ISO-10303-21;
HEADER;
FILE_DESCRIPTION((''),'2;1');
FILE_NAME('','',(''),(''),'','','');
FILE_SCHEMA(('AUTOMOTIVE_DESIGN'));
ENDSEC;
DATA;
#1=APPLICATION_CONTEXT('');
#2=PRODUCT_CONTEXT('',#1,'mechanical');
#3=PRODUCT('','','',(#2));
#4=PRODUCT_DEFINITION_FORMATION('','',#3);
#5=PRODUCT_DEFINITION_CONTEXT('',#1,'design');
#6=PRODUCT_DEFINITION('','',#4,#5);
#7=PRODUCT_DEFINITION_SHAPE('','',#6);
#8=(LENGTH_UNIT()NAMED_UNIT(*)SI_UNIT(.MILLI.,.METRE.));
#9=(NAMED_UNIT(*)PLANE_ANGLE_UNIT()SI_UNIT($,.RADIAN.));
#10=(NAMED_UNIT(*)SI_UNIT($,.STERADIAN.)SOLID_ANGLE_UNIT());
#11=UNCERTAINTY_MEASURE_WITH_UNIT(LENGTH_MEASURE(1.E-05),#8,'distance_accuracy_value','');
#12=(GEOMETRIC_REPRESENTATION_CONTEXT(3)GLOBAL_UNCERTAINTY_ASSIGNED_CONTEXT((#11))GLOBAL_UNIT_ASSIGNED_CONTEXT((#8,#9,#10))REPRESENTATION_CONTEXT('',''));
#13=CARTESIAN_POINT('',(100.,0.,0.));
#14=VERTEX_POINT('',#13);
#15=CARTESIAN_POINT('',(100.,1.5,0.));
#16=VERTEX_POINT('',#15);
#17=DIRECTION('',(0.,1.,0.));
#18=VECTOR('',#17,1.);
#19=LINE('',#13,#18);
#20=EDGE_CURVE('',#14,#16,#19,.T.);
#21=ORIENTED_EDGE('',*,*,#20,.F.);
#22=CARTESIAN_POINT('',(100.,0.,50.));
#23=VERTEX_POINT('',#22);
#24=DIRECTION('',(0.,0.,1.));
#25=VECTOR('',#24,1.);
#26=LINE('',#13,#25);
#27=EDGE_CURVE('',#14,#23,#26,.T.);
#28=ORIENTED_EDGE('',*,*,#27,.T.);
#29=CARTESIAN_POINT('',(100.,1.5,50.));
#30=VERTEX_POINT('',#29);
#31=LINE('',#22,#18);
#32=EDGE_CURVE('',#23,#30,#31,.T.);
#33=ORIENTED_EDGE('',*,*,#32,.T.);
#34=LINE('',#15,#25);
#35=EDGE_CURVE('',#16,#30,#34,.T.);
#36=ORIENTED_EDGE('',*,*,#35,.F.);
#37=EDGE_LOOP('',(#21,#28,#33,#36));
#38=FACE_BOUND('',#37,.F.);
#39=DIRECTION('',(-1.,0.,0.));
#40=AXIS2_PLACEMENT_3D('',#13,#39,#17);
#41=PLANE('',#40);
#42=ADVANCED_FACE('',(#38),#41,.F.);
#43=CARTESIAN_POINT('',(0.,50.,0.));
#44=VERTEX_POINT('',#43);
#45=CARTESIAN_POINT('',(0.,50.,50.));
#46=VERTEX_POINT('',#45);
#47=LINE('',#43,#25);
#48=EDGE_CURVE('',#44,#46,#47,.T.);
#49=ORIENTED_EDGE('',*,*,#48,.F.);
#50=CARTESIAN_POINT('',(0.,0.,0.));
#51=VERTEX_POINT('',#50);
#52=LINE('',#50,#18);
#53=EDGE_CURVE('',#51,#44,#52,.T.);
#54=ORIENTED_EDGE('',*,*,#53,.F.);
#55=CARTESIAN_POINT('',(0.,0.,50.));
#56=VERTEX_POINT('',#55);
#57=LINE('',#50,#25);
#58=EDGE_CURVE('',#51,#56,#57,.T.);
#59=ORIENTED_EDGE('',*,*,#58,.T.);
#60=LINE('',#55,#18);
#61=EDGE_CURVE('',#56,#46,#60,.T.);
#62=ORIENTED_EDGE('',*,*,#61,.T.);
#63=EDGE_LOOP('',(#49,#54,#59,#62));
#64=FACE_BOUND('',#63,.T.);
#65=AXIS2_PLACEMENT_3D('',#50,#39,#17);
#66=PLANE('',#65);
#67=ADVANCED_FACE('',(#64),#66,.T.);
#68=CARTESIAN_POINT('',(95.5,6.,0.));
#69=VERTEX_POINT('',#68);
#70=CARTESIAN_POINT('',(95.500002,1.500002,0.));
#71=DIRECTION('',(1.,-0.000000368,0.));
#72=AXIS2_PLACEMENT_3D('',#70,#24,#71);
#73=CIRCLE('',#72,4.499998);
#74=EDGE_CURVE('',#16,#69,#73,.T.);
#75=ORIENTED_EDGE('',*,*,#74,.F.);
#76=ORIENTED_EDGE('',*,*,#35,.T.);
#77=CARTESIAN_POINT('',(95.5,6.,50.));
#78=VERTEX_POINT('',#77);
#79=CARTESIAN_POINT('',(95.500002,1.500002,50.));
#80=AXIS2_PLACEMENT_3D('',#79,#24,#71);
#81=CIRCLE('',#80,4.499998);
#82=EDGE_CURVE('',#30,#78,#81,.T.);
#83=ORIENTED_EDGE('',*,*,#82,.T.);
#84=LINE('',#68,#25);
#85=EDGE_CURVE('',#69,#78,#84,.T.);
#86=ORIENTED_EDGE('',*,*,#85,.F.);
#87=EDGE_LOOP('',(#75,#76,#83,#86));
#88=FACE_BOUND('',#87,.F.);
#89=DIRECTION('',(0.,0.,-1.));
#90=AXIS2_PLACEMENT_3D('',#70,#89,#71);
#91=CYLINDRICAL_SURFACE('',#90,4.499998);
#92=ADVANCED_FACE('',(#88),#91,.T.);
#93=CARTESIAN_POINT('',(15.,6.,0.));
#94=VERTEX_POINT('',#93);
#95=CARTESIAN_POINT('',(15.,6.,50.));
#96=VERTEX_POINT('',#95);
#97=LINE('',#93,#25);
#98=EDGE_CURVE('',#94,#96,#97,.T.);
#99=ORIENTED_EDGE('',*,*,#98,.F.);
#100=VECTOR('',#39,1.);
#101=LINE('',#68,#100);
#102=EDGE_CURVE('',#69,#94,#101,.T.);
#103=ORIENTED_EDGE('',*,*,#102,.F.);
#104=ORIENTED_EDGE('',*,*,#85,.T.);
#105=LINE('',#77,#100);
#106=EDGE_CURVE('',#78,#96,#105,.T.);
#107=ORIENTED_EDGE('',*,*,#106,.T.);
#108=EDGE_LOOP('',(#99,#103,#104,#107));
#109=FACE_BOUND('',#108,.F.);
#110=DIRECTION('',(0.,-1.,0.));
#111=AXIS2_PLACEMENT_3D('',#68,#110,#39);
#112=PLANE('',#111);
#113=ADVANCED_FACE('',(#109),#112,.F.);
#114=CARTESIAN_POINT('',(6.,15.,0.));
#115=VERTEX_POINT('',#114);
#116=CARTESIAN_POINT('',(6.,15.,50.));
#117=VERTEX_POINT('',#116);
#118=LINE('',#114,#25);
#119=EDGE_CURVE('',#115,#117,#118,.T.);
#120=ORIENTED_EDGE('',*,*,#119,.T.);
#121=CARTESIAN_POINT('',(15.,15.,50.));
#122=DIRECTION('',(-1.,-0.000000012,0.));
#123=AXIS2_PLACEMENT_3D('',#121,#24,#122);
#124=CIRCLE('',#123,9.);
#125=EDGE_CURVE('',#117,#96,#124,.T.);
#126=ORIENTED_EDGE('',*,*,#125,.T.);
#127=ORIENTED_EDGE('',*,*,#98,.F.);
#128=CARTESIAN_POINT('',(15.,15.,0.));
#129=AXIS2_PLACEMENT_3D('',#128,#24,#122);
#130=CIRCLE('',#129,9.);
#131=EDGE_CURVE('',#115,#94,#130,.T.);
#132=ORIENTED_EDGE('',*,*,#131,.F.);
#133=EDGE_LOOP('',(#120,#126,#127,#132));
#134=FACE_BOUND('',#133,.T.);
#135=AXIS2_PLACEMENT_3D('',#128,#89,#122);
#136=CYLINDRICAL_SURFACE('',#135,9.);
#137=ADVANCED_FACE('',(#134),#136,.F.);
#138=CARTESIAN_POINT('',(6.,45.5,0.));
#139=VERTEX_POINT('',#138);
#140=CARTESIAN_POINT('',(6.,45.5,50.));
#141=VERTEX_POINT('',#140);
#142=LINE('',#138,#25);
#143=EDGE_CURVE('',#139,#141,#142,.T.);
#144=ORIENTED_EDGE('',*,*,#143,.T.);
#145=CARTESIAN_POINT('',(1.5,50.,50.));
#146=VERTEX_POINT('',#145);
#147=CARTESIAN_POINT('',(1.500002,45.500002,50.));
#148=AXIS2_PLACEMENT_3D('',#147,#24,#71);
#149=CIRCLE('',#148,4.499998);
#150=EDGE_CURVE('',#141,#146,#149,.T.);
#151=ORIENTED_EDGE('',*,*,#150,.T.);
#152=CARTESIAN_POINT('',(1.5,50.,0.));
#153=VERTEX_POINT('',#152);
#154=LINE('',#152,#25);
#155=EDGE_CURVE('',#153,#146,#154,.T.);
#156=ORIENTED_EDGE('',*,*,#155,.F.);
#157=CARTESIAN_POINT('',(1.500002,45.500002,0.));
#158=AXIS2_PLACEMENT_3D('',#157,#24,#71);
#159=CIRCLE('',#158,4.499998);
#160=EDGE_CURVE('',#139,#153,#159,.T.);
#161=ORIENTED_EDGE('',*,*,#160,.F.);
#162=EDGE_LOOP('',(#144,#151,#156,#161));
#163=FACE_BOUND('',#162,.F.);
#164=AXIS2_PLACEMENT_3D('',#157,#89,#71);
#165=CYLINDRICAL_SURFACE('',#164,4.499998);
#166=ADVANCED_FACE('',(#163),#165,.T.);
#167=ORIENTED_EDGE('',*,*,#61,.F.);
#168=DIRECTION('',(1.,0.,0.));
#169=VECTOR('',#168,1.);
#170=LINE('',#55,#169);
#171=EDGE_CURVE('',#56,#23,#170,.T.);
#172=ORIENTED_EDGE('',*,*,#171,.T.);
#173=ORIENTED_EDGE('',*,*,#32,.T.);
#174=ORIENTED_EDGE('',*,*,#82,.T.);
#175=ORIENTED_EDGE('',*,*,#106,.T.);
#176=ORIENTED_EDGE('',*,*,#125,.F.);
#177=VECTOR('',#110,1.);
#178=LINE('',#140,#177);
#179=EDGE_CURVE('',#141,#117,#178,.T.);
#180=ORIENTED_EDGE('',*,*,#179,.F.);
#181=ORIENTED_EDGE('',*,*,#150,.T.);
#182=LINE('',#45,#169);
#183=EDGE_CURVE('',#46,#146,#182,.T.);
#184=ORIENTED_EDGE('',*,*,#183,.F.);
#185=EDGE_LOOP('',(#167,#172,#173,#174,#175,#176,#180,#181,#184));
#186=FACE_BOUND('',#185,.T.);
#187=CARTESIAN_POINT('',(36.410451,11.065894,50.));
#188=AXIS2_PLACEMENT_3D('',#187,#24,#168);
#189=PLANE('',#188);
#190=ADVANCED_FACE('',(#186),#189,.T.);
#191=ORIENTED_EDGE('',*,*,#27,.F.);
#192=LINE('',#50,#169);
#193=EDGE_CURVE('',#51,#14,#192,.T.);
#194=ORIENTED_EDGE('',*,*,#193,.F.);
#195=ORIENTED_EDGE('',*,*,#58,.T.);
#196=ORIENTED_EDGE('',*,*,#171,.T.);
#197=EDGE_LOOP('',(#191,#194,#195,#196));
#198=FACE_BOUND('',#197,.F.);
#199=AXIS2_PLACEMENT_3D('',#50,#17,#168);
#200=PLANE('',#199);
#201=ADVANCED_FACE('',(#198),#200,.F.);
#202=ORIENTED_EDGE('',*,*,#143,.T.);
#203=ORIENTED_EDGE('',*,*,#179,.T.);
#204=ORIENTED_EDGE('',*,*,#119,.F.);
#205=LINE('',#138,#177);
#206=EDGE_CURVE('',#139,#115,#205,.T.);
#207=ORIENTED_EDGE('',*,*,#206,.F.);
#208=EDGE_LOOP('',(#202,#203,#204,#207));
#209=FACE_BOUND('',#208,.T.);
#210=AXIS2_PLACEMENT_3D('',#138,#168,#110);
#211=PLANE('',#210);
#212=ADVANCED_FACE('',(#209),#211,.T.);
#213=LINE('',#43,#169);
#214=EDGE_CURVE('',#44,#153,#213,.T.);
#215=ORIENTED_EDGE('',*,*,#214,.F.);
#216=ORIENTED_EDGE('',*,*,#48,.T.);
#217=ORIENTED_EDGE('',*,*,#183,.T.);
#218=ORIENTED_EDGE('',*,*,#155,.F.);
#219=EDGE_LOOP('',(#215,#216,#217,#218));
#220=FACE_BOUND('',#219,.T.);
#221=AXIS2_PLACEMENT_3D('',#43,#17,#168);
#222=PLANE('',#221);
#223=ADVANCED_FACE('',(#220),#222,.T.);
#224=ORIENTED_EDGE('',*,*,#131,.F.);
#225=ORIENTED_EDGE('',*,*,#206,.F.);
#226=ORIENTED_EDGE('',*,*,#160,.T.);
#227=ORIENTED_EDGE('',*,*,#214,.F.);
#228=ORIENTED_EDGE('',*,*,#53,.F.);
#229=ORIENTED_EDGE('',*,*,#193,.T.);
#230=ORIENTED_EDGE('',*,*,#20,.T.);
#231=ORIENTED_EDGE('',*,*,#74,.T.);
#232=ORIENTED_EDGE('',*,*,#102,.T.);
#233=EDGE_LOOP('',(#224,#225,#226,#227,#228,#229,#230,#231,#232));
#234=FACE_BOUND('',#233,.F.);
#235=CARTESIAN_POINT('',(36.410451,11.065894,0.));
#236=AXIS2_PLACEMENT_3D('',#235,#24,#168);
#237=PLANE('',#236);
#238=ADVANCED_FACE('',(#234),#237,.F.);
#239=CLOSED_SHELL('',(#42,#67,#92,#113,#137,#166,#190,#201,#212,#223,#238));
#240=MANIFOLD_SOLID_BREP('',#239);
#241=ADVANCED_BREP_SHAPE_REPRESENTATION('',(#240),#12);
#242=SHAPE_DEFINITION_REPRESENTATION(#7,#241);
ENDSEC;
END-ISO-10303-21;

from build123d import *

# Parameters (mm, degrees)
EXTRUDE_DEPTH = 50


with BuildPart() as part:
    # Sketch → Extrude (new body)
    with BuildSketch(Plane.XY):
        with BuildLine():
            Line((0, 0), (100, 0))
            Line((100, 0), (100, 1.5))
            ThreePointArc((100, 1.5), (98.681981, 4.681981), (95.5, 6))
            Line((95.5, 6), (15, 6))
            ThreePointArc((6, 15), (8.636039, 8.636039), (15, 6))
            Line((6, 45.5), (6, 15))
            ThreePointArc((6, 45.5), (4.681981, 48.681981), (1.5, 50))
            Line((0, 50), (1.5, 50))
            Line((0, 0), (0, 50))
        make_face()
    extrude(amount=EXTRUDE_DEPTH)


solid = part.part
